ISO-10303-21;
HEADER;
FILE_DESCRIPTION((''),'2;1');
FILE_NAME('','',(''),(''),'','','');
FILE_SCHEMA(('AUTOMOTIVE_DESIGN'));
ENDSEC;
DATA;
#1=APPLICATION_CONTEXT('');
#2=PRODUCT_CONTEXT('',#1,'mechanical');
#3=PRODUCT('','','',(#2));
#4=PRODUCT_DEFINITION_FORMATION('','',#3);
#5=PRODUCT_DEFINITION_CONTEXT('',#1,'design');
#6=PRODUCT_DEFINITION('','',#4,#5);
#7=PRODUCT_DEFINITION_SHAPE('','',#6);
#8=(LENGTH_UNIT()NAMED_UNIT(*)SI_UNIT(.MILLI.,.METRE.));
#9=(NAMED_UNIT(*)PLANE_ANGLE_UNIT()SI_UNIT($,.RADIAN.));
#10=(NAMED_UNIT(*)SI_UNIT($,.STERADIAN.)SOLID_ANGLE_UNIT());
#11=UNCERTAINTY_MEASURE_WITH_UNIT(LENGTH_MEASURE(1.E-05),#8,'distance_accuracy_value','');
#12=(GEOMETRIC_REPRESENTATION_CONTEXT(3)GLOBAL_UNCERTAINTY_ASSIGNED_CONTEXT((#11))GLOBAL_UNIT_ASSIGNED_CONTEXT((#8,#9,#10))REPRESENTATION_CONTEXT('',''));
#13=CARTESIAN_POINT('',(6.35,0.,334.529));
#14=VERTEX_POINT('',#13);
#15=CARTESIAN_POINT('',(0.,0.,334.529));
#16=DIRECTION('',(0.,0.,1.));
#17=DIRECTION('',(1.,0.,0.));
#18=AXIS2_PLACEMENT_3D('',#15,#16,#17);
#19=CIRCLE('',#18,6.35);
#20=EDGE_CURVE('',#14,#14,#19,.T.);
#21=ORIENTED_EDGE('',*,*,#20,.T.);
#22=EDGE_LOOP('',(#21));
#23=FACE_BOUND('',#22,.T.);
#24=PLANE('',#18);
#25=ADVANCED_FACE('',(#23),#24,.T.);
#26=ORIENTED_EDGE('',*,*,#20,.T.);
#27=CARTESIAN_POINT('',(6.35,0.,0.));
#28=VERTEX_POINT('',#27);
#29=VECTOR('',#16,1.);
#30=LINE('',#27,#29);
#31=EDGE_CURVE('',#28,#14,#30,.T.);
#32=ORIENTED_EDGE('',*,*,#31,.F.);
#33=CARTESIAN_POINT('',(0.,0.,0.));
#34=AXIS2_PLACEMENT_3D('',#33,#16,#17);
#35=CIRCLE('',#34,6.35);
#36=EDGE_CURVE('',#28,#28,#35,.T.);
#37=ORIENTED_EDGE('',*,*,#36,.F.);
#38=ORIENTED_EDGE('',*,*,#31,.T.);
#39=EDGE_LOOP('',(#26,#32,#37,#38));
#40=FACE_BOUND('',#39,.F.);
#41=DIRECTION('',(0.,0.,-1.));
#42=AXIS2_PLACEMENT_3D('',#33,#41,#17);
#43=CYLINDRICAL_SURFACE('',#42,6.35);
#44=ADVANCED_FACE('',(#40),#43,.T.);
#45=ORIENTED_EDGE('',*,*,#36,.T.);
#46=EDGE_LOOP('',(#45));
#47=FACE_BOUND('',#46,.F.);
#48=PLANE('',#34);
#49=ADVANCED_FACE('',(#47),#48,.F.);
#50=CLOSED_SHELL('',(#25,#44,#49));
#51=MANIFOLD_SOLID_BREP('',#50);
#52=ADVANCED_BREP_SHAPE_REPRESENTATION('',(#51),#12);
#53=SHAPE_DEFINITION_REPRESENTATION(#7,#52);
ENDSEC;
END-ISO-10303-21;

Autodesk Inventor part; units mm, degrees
ref_plane "YZ Plane" through (0, 0, 0) normal (1, 0, 0) x (0, 1, 0)
ref_plane "XZ Plane" through (0, 0, 0) normal (0, 1, 0) x (-1, 0, 0)
ref_plane "XY Plane" through (0, 0, 0) normal (0, 0, 1) x (1, 0, 0)
sketch "Sketch1" plane through (0, 0, 0) normal (0, 0, 1) x (1, 0, 0)
  circle A0 centre (0, 0) radius 6.35
  dimension "d0" = 12.7
extrude "Extrusion1" add sketch "Sketch1" along normal blind 334.529
properties part number "rod_330mm"
